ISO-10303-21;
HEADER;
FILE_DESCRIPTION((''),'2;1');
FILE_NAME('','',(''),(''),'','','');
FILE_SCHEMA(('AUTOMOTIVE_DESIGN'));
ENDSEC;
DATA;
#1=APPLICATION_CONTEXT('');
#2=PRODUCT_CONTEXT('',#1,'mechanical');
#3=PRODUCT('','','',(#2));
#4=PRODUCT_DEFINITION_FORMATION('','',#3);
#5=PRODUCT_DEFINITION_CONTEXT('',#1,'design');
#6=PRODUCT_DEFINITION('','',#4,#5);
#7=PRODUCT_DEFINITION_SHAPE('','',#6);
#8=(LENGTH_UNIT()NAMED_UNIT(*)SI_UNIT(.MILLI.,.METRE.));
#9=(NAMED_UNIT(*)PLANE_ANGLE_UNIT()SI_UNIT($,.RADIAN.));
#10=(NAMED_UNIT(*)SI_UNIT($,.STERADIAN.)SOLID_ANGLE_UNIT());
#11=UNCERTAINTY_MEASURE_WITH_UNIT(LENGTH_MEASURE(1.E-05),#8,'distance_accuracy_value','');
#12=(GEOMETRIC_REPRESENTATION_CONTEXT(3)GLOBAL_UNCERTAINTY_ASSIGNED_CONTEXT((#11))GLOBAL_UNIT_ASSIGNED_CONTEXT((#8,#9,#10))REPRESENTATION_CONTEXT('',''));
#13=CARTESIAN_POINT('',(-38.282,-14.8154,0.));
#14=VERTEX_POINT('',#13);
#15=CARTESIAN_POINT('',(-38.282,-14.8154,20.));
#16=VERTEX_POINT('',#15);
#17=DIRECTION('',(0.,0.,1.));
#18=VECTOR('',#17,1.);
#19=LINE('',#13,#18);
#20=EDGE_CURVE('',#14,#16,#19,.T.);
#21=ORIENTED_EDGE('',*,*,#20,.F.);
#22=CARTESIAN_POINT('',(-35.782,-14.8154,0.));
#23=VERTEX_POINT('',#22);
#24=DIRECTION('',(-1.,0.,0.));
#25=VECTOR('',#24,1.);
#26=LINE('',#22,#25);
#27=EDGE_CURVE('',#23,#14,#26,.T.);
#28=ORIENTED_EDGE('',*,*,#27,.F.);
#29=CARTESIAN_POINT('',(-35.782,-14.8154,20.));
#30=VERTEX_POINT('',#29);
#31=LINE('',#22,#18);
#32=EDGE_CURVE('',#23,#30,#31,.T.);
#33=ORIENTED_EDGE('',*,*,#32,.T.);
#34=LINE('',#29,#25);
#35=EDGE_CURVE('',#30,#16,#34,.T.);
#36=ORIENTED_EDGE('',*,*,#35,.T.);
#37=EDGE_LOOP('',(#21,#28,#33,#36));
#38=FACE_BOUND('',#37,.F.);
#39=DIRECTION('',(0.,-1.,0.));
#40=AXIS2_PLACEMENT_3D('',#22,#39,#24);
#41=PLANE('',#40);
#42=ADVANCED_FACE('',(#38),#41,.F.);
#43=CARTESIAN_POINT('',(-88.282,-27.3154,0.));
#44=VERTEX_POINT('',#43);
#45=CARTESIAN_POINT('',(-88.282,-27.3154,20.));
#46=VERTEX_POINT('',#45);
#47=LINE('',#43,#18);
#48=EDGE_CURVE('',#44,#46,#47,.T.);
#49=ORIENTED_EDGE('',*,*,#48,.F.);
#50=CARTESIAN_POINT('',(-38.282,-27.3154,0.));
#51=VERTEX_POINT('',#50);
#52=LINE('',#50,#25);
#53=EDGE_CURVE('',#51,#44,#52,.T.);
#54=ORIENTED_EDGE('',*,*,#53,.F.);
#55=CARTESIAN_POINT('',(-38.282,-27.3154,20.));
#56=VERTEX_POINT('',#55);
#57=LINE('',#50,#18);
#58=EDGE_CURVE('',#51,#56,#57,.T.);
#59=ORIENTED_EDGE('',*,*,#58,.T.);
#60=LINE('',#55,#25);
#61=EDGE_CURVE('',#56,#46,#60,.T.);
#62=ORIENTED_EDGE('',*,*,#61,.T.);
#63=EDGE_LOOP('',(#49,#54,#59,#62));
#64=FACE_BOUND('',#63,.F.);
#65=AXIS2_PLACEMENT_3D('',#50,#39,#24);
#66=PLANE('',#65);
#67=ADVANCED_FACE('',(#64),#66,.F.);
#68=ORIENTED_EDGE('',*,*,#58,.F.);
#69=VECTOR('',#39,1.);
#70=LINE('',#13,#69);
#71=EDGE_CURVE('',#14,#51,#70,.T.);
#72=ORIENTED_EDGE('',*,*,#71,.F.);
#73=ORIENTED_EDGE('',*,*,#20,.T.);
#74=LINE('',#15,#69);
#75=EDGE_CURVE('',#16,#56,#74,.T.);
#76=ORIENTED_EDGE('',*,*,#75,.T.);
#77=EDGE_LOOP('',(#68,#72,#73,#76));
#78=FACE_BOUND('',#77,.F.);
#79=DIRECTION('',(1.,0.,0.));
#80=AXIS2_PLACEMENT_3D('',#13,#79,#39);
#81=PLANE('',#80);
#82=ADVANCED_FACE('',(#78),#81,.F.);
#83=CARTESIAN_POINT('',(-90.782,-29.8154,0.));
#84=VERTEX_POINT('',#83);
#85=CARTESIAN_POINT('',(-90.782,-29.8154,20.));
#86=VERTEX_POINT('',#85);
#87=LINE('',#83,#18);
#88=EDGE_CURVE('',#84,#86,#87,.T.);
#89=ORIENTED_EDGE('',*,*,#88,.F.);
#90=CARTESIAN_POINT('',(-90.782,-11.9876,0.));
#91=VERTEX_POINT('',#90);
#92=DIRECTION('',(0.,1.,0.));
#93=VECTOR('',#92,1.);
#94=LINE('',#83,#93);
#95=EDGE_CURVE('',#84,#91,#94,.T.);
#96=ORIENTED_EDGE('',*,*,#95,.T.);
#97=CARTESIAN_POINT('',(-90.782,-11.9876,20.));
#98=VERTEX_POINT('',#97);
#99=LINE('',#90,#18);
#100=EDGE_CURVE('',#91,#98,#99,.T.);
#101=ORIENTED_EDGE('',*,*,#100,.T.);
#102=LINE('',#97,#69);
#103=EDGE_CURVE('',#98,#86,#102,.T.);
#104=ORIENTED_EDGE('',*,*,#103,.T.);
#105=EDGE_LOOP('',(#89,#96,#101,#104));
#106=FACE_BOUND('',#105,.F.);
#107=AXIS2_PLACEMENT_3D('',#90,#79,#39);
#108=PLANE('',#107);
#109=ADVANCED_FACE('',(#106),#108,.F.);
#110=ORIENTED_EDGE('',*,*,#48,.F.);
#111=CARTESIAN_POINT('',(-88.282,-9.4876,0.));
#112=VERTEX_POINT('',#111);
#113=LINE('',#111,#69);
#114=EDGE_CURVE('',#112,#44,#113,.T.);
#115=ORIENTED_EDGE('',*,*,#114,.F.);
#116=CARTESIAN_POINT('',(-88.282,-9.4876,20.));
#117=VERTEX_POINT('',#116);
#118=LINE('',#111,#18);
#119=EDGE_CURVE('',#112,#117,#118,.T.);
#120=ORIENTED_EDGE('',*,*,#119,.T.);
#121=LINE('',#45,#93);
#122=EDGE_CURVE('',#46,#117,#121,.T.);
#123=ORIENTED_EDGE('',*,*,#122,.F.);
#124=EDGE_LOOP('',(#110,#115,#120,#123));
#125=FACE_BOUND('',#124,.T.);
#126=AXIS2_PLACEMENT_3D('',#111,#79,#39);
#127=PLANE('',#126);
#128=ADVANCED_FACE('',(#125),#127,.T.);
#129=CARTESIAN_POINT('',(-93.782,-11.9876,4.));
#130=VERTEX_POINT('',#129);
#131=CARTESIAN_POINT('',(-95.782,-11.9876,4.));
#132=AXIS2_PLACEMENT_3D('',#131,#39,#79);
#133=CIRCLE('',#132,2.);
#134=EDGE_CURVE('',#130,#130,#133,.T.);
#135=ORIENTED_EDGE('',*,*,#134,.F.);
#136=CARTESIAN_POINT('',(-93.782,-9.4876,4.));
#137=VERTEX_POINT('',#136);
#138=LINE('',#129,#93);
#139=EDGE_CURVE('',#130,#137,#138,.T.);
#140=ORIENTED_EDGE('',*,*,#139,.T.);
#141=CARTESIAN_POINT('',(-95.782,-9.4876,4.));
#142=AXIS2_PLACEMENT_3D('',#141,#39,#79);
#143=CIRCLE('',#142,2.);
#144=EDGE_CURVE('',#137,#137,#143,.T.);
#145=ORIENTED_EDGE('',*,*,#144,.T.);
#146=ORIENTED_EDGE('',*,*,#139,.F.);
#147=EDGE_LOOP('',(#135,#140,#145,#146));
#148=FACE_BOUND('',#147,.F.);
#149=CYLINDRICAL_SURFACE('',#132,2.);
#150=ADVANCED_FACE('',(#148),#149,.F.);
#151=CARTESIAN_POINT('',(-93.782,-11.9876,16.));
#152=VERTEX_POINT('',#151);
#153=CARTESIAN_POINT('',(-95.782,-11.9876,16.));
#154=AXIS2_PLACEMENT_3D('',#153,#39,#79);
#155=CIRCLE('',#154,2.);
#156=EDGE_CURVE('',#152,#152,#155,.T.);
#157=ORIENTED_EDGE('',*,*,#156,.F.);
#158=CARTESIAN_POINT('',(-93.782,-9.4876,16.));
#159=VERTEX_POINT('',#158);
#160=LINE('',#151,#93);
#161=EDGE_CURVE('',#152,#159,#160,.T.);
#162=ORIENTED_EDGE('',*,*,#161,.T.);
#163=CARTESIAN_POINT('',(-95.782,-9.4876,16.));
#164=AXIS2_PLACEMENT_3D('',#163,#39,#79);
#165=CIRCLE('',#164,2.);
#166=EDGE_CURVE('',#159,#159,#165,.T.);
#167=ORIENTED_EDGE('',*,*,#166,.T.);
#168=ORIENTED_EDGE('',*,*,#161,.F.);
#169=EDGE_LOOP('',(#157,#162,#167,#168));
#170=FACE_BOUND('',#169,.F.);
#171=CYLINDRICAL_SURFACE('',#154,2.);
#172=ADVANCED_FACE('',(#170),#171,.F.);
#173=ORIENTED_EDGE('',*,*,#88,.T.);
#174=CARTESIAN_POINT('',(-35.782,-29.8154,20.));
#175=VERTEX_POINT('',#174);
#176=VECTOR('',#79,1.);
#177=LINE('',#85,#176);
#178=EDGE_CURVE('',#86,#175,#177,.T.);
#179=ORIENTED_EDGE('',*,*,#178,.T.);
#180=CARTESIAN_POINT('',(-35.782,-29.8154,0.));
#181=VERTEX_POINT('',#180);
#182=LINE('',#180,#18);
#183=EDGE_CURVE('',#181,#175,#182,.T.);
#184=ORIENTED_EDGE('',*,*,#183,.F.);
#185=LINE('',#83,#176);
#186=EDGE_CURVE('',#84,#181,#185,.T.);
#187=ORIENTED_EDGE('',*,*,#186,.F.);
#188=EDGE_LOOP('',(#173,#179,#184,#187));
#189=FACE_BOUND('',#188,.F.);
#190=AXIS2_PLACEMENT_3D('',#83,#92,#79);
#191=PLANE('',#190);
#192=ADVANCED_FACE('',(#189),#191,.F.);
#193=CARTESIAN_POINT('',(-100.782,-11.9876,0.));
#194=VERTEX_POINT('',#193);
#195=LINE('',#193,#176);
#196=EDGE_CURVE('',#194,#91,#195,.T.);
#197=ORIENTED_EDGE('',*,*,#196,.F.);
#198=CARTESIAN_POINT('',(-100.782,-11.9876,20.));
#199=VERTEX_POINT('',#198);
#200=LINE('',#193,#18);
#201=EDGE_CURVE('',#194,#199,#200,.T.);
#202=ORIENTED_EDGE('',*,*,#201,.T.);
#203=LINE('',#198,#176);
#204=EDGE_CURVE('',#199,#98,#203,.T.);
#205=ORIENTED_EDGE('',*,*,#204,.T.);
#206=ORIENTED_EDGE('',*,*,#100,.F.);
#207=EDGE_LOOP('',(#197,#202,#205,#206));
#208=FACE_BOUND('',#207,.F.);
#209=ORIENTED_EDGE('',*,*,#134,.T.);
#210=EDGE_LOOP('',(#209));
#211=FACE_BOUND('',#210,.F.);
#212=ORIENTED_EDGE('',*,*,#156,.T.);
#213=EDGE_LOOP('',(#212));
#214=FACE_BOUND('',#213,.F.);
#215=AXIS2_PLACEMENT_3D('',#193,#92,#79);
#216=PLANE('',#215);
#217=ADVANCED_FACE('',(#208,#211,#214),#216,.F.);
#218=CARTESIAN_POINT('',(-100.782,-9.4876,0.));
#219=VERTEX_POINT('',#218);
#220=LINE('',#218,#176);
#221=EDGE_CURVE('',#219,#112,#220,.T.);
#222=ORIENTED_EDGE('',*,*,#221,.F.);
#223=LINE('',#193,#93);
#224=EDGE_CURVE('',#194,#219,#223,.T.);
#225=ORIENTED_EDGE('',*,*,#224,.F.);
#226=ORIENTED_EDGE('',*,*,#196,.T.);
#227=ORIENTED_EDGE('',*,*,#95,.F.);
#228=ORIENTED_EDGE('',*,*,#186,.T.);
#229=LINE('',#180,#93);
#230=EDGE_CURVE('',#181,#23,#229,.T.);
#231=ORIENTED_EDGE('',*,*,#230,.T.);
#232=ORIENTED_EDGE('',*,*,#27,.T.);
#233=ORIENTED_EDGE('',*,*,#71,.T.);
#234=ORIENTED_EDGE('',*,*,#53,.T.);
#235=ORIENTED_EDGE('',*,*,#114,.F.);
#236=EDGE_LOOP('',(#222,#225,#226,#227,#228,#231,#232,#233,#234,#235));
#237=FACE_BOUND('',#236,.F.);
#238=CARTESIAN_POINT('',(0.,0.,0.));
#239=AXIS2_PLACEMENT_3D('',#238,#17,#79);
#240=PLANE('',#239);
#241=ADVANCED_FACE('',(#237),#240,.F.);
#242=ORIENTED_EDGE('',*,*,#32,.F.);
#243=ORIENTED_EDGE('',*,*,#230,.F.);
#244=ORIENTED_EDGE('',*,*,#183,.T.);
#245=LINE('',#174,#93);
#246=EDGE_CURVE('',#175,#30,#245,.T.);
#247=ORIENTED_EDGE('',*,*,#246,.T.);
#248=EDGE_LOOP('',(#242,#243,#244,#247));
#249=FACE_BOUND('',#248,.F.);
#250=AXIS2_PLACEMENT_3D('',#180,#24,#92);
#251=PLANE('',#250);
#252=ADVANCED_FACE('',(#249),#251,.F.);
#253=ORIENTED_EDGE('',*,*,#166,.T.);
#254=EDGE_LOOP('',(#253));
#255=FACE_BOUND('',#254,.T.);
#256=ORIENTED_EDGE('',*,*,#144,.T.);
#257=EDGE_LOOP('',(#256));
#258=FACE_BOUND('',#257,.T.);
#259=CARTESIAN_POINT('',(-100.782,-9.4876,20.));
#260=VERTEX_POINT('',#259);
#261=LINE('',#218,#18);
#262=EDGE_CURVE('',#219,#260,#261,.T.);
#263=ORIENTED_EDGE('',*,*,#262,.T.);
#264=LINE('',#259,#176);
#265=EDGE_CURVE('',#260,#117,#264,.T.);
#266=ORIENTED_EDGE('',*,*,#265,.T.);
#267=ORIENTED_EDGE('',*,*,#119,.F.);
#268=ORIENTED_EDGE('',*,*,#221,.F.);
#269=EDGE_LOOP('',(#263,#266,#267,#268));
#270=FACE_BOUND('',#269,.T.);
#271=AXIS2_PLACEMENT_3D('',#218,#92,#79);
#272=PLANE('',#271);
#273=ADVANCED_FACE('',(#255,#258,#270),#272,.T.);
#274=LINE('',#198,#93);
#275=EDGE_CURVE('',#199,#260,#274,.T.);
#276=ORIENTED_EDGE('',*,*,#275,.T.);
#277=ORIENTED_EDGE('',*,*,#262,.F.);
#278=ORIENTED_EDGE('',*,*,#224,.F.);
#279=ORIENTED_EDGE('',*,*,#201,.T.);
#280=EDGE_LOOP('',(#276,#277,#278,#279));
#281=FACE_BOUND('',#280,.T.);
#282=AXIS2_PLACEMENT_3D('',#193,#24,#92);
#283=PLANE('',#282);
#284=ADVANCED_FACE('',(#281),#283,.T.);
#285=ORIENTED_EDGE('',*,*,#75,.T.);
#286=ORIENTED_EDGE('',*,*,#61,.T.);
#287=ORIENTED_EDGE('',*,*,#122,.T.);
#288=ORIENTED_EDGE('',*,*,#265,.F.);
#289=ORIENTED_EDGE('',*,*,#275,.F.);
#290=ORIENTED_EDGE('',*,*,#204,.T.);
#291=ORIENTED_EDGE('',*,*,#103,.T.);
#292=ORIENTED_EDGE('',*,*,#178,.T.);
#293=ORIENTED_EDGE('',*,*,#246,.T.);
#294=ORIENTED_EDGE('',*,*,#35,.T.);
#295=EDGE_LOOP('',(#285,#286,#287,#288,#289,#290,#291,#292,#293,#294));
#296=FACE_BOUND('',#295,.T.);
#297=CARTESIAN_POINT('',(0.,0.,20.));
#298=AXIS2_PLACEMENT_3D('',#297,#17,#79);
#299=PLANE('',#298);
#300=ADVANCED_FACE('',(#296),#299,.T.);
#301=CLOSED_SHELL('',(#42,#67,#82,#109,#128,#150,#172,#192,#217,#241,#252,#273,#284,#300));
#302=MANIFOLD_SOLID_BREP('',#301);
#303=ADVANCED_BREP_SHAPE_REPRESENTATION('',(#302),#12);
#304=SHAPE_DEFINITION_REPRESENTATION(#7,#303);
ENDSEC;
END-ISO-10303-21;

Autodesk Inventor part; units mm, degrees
ref_plane "YZ Plane" through (0, 0, 0) normal (1, 0, 0) x (0, 1, 0)
ref_plane "XZ Plane" through (0, 0, 0) normal (0, 1, 0) x (-1, 0, 0)
ref_plane "XY Plane" through (0, 0, 0) normal (0, 0, 1) x (1, 0, 0)
sketch "Sketch1" plane through (0, 0, 0) normal (0, 0, 1) x (1, 0, 0)
  line L0 (-100.782, -11.9876) -> (-90.782, -11.9876)
  line L1 (-100.782, -9.4876) -> (-88.282, -9.4876)
  line L2 (-90.782, -11.9876) -> (-90.782, -20.4134)
  line L3 (-88.282, -9.4876) -> (-88.282, -20.4134)
  line L4 (-90.782, -20.4134) -> (-90.782, -29.8154)
  line L5 (-90.782, -29.8154) -> (-35.782, -29.8154)
  line L6 (-35.782, -29.8154) -> (-35.782, -14.8154)
  line L7 (-38.282, -14.8154) -> (-38.282, -27.3154)
  line L8 (-38.282, -27.3154) -> (-88.282, -27.3154)
  line L9 (-88.282, -27.3154) -> (-88.282, -20.4134)
  line L10 (-100.782, -11.9876) -> (-100.782, -9.4876)
  line L11 (-35.782, -14.8154) -> (-38.282, -14.8154)
  dimension "d6" = 10
  dimension "d7" = 2.5
  dimension "d8" = 2.5
  dimension "d9" = 2.5
  dimension "d20" = 15
  dimension "d21" = 65
  dimension "d29" = 2.5
extrude "Extrusion1" add sketch "Sketch1" along normal blind 20
sketch "Sketch2" plane through (-100.782, -11.9876, 0) normal (0, -1, 0) x (1, 0, 0)
  line L0 (0, 0) -> (0, 20) projected
  line L1 (10, 0) -> (10, 20) projected
  line L2 (0, 20) -> (10, 20) projected
  line L3 (0, 0) -> (10, 0) projected
  circle A0 centre (5, 4) radius 2
  circle A1 centre (5, 16) radius 2
  line L4 (65, 0) -> (65, 20) projected
  point P0 (100.782, 0)
  dimension "d17" = 4
  dimension "d22" = 4
  dimension "d24" = 12
  dimension "d25" = 4
  dimension "d27" = 60
  dimension "d28" = 60
extrude "Extrusion2" cut sketch "Sketch2" against normal blind 4 contours A0 | A1
equation "\"d17\" = d22"
properties part number "Carcasa para Placa Reed Switch 40x20" material "ABS Plastic"
